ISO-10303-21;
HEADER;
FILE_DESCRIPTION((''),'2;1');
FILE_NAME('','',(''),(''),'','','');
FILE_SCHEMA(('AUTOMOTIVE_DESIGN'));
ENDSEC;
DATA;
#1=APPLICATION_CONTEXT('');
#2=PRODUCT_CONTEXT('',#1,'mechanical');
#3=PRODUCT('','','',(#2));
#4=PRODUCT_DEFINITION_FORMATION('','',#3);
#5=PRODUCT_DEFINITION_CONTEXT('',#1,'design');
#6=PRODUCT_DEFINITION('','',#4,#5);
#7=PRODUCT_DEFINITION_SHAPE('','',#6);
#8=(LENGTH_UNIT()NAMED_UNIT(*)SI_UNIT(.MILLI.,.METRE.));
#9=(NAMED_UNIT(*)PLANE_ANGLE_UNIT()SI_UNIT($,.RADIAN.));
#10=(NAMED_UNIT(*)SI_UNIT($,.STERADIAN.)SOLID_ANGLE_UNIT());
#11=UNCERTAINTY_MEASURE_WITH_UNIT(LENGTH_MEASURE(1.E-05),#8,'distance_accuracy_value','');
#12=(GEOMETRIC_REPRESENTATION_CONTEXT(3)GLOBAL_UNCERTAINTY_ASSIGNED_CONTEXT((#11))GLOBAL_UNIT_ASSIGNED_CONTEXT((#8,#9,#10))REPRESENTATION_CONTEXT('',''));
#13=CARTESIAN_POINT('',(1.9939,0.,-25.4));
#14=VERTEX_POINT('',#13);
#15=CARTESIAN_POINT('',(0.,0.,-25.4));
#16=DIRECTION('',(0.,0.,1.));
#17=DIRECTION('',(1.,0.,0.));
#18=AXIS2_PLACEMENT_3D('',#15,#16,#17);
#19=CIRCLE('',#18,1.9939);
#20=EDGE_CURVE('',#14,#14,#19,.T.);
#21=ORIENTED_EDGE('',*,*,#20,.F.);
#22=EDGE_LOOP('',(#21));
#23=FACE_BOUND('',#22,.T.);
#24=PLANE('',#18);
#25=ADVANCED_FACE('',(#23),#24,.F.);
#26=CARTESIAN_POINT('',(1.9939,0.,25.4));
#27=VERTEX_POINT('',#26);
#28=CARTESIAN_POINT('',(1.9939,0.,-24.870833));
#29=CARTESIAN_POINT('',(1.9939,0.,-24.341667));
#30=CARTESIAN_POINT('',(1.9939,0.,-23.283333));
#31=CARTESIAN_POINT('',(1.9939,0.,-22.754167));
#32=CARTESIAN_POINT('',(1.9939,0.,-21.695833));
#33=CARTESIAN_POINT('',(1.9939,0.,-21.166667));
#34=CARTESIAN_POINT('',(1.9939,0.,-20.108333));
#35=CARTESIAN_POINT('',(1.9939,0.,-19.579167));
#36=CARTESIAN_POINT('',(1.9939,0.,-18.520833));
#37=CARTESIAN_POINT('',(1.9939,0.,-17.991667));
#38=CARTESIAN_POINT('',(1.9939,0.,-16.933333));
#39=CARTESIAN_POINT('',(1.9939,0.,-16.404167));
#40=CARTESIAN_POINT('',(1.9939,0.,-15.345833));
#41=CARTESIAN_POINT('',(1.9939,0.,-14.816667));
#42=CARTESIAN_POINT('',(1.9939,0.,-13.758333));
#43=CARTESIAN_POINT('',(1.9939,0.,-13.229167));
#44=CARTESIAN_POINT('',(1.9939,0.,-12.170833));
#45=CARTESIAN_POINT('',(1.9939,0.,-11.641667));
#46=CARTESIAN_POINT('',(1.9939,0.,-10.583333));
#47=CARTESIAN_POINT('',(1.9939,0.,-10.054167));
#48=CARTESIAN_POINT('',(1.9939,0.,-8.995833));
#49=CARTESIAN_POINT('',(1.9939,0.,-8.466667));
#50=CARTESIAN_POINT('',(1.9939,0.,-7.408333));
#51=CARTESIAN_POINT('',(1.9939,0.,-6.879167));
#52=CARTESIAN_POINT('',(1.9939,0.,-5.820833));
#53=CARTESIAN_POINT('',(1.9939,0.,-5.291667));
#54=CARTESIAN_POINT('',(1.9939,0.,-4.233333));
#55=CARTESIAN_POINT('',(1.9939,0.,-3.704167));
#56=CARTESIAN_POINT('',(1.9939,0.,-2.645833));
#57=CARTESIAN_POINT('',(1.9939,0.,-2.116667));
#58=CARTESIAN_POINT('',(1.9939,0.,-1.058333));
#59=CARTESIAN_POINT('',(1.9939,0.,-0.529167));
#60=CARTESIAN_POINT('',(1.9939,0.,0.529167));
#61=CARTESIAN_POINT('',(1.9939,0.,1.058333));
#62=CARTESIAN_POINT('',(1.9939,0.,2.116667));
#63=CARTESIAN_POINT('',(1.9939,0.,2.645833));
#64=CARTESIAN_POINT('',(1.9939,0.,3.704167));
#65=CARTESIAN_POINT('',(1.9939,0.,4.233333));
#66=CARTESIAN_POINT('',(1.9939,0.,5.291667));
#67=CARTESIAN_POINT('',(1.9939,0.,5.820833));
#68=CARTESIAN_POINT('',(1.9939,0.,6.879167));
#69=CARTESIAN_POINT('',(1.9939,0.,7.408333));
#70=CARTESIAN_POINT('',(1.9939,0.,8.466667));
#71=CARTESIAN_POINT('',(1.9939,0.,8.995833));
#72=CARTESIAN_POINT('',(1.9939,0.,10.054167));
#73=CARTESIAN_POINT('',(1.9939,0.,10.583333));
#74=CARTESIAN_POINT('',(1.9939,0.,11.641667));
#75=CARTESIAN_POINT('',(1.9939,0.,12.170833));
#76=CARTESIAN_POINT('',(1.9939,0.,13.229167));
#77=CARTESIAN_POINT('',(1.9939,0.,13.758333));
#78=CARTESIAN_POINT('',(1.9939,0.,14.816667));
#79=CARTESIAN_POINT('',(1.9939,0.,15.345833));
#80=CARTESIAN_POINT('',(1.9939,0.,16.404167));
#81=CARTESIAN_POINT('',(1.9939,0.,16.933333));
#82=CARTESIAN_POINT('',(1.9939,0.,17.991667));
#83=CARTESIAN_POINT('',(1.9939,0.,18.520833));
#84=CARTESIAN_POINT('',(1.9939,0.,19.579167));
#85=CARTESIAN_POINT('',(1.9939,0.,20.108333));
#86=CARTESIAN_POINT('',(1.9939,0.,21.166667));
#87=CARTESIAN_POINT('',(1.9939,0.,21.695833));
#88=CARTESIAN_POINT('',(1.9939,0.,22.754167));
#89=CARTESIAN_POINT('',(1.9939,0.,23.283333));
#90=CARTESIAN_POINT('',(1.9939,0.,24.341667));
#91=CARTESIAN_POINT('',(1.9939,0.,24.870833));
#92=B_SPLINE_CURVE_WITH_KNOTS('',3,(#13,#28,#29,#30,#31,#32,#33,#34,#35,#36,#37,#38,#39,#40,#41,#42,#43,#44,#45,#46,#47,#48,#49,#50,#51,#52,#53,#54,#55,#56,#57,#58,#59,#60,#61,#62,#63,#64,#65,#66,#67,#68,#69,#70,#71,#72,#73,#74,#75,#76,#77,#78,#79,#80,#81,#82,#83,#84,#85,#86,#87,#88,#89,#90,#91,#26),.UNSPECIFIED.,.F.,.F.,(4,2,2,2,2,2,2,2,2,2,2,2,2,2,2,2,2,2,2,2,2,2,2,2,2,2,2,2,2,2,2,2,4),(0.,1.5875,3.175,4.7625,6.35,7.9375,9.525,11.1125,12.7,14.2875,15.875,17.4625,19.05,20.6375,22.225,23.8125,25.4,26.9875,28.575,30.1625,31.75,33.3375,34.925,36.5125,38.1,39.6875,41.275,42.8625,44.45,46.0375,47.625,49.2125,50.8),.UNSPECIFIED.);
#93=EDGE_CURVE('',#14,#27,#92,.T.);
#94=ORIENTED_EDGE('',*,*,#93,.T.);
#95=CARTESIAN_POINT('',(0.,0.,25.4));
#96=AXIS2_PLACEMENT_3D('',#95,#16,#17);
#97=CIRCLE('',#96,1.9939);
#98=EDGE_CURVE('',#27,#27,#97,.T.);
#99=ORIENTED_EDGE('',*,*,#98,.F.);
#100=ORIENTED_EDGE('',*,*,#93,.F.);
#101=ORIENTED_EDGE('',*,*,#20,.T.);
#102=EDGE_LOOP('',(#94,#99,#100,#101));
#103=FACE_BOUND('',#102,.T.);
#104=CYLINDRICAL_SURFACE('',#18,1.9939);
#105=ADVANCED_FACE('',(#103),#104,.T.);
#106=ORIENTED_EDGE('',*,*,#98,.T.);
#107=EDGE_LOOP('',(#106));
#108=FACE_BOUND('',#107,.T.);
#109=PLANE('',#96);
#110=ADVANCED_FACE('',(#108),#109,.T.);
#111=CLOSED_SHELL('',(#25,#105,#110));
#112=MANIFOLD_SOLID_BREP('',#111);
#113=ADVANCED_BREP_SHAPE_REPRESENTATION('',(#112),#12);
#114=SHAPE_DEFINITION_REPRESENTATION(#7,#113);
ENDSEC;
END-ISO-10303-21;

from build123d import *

# Parameters (mm, degrees)
AXLE_DEPTH      = 25.4
AXLE_DEPTH_BACK = 25.4
SKETCH1_R       = 1.9939


with BuildPart() as part:
    # Sketch1 → Axle (new, two sides: drawn at the far end of the back side and taken through both)
    with BuildSketch(Plane.XY.offset(-AXLE_DEPTH_BACK)):
        Circle(SKETCH1_R)
    extrude(amount=AXLE_DEPTH + AXLE_DEPTH_BACK)


solid = part.part
